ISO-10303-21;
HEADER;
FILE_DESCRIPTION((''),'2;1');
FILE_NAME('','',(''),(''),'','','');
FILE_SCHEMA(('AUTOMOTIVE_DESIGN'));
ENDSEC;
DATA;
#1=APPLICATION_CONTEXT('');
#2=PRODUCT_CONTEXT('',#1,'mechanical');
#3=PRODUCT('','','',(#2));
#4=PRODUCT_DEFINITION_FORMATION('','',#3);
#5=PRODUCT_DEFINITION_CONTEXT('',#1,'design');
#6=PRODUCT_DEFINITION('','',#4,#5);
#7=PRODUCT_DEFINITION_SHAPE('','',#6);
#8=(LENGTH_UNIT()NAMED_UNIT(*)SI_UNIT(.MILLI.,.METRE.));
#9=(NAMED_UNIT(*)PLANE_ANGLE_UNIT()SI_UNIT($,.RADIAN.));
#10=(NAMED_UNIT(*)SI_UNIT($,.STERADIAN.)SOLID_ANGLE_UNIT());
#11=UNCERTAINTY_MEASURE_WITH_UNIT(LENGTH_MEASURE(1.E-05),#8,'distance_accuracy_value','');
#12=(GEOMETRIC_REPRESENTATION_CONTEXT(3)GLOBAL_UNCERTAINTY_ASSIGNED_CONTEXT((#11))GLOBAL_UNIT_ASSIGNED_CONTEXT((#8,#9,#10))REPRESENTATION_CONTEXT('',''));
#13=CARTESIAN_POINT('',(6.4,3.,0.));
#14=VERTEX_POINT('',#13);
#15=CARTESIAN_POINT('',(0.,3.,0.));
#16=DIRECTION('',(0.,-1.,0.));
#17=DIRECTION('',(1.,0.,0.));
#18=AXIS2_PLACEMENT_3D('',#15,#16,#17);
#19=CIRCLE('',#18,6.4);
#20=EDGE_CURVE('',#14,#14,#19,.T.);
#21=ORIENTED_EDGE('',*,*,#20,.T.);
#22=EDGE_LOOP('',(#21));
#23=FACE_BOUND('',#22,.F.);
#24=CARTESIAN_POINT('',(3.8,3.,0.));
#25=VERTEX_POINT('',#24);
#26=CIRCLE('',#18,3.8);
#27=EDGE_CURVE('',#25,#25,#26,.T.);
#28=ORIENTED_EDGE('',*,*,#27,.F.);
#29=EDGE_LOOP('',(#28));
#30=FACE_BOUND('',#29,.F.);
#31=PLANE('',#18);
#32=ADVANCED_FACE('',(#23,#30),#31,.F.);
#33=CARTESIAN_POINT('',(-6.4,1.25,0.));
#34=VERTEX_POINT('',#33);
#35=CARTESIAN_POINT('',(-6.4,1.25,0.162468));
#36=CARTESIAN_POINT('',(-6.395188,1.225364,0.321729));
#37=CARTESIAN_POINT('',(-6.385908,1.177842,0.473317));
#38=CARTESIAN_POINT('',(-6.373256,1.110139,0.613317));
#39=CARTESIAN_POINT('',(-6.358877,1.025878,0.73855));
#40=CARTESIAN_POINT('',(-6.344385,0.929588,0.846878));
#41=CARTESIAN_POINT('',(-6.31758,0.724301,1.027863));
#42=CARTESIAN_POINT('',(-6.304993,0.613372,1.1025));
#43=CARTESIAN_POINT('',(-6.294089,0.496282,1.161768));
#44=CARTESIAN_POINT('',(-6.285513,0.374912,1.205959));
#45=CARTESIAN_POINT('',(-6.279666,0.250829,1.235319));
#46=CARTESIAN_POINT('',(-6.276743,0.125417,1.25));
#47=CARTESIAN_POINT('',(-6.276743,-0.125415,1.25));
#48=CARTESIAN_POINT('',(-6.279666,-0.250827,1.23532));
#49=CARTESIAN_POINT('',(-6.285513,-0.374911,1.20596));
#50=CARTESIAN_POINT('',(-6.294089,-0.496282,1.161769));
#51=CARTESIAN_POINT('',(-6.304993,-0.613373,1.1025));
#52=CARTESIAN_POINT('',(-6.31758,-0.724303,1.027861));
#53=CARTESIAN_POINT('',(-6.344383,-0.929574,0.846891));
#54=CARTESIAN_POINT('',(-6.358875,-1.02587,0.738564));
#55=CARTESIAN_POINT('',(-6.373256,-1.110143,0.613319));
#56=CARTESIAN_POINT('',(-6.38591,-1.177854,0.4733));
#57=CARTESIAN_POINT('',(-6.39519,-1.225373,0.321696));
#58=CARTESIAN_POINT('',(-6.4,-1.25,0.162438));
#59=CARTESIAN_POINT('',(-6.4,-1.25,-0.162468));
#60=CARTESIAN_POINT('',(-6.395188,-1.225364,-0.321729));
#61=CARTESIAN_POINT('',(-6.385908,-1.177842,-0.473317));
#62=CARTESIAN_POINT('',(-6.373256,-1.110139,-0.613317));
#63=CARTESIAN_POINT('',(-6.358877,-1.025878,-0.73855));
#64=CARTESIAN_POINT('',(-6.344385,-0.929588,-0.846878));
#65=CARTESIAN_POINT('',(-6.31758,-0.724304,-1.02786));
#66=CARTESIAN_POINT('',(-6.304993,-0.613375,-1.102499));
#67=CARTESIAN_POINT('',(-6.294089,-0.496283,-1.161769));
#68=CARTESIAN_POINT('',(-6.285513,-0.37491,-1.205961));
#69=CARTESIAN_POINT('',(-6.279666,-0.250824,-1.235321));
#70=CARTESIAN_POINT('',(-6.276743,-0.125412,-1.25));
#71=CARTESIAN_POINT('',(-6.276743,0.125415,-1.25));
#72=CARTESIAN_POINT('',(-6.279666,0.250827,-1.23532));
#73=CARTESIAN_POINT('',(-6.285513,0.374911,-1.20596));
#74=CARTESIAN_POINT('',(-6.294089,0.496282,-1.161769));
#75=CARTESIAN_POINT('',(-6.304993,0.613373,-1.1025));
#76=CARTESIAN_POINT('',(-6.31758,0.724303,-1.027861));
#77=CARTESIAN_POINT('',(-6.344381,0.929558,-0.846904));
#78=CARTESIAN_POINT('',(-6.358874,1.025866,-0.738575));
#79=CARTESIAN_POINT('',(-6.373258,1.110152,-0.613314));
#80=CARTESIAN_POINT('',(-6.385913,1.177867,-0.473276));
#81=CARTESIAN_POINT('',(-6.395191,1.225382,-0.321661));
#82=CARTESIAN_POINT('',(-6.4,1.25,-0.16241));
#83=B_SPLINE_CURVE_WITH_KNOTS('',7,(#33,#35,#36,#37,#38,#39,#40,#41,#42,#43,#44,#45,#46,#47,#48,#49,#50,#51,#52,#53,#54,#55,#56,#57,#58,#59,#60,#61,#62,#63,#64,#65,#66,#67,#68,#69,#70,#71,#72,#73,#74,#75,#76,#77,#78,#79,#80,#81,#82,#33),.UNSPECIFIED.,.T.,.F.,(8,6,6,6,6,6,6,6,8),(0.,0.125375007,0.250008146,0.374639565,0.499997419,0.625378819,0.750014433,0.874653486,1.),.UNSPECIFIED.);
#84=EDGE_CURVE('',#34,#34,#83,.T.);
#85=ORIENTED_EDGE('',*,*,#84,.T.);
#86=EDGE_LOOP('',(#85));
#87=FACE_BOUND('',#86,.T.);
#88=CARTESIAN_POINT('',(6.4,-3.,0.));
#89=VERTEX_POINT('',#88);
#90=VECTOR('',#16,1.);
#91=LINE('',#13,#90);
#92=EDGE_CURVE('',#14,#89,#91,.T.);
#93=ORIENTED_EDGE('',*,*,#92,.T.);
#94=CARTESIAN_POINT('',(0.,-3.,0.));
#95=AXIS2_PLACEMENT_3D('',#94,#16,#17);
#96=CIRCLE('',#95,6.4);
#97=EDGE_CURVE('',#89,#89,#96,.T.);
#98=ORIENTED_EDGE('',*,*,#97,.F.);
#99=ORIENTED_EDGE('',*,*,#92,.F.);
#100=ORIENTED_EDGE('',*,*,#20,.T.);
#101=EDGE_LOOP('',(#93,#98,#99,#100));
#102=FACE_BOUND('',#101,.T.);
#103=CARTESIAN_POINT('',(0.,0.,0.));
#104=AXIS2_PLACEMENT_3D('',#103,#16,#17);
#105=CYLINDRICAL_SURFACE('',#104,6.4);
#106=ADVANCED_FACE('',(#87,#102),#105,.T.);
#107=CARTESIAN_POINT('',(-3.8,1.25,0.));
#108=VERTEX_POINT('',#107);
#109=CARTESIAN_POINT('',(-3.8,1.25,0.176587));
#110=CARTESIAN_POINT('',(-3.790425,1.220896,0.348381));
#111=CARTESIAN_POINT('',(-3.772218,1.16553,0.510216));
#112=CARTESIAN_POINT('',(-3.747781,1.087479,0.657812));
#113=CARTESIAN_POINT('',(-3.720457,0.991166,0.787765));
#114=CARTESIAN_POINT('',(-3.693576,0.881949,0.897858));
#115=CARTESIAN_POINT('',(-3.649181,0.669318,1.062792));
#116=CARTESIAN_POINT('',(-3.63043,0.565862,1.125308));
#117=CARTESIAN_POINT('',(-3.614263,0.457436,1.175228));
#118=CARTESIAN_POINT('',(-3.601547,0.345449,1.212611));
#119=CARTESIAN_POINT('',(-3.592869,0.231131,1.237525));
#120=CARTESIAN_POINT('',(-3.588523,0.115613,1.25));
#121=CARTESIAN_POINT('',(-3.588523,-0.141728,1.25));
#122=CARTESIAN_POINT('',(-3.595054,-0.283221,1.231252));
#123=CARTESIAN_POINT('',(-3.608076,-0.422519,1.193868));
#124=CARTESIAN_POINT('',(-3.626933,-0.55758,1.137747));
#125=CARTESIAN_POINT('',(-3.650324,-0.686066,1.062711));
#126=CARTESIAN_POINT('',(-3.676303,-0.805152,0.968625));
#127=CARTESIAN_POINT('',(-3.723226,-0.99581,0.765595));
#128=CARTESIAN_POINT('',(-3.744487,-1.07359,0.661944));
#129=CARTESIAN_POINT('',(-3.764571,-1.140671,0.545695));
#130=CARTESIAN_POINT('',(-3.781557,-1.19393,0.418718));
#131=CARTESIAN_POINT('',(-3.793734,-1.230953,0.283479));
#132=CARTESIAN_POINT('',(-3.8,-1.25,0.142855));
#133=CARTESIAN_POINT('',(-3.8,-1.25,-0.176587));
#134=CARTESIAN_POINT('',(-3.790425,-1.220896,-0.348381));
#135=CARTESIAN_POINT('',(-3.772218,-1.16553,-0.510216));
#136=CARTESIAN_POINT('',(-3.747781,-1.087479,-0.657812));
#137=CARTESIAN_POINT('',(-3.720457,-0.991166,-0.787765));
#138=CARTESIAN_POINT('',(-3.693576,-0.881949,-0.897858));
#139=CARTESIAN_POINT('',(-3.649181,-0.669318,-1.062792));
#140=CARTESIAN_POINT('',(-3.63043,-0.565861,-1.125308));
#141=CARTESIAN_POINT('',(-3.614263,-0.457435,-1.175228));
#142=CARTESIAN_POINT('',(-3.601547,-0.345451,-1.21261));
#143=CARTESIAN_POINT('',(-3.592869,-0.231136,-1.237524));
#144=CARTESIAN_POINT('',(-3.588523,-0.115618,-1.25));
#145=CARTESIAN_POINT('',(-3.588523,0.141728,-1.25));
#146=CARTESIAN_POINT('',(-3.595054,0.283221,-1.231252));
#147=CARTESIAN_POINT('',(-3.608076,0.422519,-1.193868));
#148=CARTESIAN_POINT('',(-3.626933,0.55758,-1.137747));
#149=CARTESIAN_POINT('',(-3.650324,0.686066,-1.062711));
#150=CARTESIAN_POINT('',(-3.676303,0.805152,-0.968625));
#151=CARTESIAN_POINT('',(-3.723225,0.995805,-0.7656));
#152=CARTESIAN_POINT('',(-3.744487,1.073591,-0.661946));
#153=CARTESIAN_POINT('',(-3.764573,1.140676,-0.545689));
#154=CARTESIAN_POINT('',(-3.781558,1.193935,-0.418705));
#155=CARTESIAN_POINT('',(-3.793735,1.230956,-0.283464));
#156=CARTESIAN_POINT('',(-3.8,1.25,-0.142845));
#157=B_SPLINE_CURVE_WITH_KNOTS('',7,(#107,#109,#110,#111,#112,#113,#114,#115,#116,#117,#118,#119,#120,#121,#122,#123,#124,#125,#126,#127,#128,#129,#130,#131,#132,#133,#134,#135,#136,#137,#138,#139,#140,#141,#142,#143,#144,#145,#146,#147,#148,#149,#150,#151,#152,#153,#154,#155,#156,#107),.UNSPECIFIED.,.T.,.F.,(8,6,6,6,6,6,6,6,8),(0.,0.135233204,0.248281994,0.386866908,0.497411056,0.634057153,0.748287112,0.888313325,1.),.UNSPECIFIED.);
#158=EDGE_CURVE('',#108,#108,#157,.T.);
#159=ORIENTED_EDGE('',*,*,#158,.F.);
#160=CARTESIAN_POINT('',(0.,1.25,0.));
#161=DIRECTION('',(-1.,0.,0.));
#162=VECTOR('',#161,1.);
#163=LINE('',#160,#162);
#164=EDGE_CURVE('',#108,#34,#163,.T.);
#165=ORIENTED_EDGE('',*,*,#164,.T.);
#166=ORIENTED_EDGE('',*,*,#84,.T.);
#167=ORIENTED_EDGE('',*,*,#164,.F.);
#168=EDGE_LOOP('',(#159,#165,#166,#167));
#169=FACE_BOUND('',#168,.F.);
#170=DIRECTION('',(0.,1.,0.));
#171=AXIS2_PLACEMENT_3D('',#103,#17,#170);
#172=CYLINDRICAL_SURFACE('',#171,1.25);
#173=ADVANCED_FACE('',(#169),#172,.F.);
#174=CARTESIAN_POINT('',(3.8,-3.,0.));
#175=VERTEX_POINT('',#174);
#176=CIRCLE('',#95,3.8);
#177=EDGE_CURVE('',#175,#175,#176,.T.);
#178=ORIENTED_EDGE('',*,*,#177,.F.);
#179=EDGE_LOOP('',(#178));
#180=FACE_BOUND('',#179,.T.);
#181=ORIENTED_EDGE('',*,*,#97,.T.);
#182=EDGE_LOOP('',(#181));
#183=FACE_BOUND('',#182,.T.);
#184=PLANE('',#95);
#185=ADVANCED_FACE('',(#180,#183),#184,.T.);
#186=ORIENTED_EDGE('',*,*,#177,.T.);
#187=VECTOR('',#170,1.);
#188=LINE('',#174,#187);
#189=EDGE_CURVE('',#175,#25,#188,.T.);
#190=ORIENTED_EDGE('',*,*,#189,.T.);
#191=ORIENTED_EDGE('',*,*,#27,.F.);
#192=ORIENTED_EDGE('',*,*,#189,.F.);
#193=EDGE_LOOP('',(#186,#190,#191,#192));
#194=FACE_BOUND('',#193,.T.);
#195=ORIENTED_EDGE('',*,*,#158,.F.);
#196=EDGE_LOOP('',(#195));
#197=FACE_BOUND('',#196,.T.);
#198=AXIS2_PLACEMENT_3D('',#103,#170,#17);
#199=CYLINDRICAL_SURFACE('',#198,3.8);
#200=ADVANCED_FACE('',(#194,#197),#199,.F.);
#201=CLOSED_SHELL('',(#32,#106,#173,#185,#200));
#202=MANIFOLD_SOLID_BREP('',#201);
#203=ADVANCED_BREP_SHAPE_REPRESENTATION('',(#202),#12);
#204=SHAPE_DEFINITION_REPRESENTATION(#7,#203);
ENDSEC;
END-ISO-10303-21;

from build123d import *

# Parameters (mm, degrees)
F0_R     = 6.4
F0_R_2   = 3.8
F1_DEPTH = 3
F3_D     = 2.5
F3_DEPTH = 6.401


with BuildPart() as f1:
    # F0 (on Front) → F1 (new body, symmetric)
    with BuildSketch(Plane.XZ):
        Circle(F0_R)
        Circle(F0_R_2, mode=Mode.SUBTRACT)
    extrude(amount=F1_DEPTH, both=True)

    # F3 (through all, one way)
    with BuildSketch(Plane.YZ):
        with Locations((0, 0)):
            Circle(F3_D / 2)
    extrude(amount=-F3_DEPTH, mode=Mode.SUBTRACT)


solid = f1.part
